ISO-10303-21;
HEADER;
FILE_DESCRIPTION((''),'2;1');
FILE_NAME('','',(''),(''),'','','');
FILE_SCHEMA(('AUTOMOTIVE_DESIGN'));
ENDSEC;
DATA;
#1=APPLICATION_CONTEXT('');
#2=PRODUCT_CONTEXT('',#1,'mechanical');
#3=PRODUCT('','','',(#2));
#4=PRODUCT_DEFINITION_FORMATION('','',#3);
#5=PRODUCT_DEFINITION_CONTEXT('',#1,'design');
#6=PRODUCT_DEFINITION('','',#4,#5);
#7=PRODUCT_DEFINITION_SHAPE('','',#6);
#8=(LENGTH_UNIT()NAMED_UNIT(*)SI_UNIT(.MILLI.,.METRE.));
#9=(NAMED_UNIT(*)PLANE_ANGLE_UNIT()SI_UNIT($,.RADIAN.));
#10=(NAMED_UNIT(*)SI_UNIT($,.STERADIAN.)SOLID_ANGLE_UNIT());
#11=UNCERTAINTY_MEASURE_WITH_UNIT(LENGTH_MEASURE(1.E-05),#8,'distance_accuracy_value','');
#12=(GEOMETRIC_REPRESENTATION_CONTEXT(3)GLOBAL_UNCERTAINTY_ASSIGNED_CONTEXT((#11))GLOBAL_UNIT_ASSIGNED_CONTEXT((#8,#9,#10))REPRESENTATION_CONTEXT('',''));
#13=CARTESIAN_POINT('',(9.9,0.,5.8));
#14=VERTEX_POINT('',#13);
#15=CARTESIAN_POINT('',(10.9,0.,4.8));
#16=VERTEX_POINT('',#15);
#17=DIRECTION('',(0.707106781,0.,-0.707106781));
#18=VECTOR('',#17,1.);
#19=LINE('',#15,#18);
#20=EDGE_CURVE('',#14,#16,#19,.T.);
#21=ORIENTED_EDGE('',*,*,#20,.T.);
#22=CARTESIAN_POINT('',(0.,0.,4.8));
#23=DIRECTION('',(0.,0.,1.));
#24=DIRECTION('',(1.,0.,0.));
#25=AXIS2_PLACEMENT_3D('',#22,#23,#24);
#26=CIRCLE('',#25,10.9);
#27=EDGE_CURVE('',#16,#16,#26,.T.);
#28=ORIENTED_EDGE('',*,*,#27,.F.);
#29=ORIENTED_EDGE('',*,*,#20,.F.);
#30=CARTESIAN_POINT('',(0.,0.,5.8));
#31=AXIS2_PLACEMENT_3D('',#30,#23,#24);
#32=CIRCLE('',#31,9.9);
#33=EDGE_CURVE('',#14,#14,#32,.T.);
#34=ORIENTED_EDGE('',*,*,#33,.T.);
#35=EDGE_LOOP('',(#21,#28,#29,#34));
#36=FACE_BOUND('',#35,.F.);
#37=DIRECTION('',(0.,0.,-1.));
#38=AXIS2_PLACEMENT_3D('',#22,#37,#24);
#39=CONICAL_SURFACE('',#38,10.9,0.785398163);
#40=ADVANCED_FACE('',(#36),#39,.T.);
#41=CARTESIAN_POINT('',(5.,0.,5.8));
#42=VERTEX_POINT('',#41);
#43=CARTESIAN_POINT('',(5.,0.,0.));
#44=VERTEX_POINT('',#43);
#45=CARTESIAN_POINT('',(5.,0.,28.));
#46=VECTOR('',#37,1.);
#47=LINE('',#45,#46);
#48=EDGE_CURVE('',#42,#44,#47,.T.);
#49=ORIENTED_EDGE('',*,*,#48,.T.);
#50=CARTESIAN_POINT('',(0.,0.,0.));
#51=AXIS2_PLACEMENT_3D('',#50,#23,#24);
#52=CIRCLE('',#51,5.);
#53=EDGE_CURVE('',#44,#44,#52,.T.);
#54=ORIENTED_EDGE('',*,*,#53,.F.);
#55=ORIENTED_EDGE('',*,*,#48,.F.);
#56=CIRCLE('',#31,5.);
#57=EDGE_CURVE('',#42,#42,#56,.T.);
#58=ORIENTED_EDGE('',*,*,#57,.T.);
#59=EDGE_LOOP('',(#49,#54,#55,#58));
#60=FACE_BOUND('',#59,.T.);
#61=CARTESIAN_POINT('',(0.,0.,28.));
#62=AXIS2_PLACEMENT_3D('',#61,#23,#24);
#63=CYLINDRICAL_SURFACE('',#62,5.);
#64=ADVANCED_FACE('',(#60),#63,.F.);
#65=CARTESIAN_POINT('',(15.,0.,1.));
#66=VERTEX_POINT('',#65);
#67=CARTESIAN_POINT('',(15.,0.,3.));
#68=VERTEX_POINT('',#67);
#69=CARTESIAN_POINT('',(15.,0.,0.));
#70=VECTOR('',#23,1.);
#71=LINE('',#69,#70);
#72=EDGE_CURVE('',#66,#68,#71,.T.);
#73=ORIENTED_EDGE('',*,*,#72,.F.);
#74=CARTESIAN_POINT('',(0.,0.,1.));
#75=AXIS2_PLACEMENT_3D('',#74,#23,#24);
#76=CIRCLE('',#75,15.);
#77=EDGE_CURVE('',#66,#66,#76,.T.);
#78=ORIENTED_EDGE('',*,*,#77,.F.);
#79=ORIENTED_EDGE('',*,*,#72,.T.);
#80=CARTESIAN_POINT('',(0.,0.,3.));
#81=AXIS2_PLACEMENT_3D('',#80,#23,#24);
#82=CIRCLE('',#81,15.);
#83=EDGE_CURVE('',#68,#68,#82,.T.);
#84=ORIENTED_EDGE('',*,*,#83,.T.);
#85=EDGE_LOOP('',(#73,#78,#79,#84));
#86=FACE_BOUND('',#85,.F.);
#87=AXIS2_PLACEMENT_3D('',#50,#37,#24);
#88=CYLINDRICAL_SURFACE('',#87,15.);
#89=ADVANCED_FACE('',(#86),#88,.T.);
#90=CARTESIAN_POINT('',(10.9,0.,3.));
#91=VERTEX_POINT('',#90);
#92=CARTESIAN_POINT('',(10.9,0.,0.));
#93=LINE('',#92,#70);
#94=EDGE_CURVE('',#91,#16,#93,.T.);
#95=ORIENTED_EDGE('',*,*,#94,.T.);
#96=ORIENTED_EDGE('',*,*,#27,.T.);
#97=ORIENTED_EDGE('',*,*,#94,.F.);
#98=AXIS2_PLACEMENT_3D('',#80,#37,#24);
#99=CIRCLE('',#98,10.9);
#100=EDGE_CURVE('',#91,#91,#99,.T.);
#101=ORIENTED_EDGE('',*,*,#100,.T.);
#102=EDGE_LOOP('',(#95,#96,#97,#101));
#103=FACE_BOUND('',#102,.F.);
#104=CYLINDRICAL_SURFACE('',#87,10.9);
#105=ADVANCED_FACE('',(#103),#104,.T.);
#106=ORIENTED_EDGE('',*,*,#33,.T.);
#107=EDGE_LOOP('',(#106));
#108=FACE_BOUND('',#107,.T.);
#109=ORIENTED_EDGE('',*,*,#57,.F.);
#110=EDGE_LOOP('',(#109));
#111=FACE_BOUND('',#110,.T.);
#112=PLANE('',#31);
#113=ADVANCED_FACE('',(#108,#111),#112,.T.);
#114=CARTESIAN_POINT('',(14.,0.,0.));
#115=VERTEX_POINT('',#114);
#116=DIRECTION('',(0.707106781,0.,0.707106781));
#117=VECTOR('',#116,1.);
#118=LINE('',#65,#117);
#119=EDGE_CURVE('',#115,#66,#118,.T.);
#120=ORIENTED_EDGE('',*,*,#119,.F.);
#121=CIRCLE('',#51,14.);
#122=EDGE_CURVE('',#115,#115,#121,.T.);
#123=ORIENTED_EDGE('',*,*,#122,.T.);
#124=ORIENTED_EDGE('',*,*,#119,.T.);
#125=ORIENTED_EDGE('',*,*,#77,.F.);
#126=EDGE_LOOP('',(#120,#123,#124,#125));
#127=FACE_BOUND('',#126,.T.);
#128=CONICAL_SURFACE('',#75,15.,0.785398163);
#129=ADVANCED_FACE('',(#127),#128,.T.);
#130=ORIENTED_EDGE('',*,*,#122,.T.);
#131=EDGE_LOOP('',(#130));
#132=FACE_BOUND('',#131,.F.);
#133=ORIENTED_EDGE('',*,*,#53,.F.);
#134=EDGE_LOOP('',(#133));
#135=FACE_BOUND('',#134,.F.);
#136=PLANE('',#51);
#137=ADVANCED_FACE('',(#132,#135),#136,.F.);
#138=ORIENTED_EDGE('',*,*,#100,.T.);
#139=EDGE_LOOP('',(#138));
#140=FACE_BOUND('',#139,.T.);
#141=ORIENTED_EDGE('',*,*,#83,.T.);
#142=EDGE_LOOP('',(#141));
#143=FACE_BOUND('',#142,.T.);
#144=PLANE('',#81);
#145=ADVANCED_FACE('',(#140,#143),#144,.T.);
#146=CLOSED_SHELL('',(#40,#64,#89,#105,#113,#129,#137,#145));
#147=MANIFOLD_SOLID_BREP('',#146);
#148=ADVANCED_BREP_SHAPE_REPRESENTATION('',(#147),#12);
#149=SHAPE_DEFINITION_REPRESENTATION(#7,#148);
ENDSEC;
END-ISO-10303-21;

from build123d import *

# Parameters (mm, degrees)
F0_R     = 15
F1_DEPTH = 3
F2_R     = 10.9
F2_R_2   = 5
F3_DEPTH = 5.8
F4_DEPTH = 25
F5_DEPTH = 40.4
F6_SIZE  = 1


with BuildPart() as f1:
    # F0 (on Top) → F1 (new body)
    with BuildSketch(Plane.XY):
        Circle(F0_R)
    extrude(amount=F1_DEPTH)

    # F2 (on Top) → F3 (join)
    with BuildSketch(Plane.XY):
        Circle(F2_R)
        Circle(F2_R_2, mode=Mode.SUBTRACT)
    extrude(amount=F3_DEPTH)

    # F4 (add): a face of the model
    f4_faces = [f1.faces().sort_by_distance(p)[0] for p in [
        (0, 0, 3),
    ]]
    extrude(f4_faces, amount=F4_DEPTH)

    # F5 (cut): a face of the model
    f5_faces = [f1.faces().sort_by_distance(p)[0] for p in [
        (0, 0, 28),
    ]]
    extrude(f5_faces, amount=-F5_DEPTH, mode=Mode.SUBTRACT)

    # F6
    f6_edges = [f1.edges().sort_by_distance(p)[0] for p in [
        (-15, 0, 0),
        (-10.9, 0, 5.8),
    ]]
    chamfer(f6_edges, length=F6_SIZE)


solid = f1.part
